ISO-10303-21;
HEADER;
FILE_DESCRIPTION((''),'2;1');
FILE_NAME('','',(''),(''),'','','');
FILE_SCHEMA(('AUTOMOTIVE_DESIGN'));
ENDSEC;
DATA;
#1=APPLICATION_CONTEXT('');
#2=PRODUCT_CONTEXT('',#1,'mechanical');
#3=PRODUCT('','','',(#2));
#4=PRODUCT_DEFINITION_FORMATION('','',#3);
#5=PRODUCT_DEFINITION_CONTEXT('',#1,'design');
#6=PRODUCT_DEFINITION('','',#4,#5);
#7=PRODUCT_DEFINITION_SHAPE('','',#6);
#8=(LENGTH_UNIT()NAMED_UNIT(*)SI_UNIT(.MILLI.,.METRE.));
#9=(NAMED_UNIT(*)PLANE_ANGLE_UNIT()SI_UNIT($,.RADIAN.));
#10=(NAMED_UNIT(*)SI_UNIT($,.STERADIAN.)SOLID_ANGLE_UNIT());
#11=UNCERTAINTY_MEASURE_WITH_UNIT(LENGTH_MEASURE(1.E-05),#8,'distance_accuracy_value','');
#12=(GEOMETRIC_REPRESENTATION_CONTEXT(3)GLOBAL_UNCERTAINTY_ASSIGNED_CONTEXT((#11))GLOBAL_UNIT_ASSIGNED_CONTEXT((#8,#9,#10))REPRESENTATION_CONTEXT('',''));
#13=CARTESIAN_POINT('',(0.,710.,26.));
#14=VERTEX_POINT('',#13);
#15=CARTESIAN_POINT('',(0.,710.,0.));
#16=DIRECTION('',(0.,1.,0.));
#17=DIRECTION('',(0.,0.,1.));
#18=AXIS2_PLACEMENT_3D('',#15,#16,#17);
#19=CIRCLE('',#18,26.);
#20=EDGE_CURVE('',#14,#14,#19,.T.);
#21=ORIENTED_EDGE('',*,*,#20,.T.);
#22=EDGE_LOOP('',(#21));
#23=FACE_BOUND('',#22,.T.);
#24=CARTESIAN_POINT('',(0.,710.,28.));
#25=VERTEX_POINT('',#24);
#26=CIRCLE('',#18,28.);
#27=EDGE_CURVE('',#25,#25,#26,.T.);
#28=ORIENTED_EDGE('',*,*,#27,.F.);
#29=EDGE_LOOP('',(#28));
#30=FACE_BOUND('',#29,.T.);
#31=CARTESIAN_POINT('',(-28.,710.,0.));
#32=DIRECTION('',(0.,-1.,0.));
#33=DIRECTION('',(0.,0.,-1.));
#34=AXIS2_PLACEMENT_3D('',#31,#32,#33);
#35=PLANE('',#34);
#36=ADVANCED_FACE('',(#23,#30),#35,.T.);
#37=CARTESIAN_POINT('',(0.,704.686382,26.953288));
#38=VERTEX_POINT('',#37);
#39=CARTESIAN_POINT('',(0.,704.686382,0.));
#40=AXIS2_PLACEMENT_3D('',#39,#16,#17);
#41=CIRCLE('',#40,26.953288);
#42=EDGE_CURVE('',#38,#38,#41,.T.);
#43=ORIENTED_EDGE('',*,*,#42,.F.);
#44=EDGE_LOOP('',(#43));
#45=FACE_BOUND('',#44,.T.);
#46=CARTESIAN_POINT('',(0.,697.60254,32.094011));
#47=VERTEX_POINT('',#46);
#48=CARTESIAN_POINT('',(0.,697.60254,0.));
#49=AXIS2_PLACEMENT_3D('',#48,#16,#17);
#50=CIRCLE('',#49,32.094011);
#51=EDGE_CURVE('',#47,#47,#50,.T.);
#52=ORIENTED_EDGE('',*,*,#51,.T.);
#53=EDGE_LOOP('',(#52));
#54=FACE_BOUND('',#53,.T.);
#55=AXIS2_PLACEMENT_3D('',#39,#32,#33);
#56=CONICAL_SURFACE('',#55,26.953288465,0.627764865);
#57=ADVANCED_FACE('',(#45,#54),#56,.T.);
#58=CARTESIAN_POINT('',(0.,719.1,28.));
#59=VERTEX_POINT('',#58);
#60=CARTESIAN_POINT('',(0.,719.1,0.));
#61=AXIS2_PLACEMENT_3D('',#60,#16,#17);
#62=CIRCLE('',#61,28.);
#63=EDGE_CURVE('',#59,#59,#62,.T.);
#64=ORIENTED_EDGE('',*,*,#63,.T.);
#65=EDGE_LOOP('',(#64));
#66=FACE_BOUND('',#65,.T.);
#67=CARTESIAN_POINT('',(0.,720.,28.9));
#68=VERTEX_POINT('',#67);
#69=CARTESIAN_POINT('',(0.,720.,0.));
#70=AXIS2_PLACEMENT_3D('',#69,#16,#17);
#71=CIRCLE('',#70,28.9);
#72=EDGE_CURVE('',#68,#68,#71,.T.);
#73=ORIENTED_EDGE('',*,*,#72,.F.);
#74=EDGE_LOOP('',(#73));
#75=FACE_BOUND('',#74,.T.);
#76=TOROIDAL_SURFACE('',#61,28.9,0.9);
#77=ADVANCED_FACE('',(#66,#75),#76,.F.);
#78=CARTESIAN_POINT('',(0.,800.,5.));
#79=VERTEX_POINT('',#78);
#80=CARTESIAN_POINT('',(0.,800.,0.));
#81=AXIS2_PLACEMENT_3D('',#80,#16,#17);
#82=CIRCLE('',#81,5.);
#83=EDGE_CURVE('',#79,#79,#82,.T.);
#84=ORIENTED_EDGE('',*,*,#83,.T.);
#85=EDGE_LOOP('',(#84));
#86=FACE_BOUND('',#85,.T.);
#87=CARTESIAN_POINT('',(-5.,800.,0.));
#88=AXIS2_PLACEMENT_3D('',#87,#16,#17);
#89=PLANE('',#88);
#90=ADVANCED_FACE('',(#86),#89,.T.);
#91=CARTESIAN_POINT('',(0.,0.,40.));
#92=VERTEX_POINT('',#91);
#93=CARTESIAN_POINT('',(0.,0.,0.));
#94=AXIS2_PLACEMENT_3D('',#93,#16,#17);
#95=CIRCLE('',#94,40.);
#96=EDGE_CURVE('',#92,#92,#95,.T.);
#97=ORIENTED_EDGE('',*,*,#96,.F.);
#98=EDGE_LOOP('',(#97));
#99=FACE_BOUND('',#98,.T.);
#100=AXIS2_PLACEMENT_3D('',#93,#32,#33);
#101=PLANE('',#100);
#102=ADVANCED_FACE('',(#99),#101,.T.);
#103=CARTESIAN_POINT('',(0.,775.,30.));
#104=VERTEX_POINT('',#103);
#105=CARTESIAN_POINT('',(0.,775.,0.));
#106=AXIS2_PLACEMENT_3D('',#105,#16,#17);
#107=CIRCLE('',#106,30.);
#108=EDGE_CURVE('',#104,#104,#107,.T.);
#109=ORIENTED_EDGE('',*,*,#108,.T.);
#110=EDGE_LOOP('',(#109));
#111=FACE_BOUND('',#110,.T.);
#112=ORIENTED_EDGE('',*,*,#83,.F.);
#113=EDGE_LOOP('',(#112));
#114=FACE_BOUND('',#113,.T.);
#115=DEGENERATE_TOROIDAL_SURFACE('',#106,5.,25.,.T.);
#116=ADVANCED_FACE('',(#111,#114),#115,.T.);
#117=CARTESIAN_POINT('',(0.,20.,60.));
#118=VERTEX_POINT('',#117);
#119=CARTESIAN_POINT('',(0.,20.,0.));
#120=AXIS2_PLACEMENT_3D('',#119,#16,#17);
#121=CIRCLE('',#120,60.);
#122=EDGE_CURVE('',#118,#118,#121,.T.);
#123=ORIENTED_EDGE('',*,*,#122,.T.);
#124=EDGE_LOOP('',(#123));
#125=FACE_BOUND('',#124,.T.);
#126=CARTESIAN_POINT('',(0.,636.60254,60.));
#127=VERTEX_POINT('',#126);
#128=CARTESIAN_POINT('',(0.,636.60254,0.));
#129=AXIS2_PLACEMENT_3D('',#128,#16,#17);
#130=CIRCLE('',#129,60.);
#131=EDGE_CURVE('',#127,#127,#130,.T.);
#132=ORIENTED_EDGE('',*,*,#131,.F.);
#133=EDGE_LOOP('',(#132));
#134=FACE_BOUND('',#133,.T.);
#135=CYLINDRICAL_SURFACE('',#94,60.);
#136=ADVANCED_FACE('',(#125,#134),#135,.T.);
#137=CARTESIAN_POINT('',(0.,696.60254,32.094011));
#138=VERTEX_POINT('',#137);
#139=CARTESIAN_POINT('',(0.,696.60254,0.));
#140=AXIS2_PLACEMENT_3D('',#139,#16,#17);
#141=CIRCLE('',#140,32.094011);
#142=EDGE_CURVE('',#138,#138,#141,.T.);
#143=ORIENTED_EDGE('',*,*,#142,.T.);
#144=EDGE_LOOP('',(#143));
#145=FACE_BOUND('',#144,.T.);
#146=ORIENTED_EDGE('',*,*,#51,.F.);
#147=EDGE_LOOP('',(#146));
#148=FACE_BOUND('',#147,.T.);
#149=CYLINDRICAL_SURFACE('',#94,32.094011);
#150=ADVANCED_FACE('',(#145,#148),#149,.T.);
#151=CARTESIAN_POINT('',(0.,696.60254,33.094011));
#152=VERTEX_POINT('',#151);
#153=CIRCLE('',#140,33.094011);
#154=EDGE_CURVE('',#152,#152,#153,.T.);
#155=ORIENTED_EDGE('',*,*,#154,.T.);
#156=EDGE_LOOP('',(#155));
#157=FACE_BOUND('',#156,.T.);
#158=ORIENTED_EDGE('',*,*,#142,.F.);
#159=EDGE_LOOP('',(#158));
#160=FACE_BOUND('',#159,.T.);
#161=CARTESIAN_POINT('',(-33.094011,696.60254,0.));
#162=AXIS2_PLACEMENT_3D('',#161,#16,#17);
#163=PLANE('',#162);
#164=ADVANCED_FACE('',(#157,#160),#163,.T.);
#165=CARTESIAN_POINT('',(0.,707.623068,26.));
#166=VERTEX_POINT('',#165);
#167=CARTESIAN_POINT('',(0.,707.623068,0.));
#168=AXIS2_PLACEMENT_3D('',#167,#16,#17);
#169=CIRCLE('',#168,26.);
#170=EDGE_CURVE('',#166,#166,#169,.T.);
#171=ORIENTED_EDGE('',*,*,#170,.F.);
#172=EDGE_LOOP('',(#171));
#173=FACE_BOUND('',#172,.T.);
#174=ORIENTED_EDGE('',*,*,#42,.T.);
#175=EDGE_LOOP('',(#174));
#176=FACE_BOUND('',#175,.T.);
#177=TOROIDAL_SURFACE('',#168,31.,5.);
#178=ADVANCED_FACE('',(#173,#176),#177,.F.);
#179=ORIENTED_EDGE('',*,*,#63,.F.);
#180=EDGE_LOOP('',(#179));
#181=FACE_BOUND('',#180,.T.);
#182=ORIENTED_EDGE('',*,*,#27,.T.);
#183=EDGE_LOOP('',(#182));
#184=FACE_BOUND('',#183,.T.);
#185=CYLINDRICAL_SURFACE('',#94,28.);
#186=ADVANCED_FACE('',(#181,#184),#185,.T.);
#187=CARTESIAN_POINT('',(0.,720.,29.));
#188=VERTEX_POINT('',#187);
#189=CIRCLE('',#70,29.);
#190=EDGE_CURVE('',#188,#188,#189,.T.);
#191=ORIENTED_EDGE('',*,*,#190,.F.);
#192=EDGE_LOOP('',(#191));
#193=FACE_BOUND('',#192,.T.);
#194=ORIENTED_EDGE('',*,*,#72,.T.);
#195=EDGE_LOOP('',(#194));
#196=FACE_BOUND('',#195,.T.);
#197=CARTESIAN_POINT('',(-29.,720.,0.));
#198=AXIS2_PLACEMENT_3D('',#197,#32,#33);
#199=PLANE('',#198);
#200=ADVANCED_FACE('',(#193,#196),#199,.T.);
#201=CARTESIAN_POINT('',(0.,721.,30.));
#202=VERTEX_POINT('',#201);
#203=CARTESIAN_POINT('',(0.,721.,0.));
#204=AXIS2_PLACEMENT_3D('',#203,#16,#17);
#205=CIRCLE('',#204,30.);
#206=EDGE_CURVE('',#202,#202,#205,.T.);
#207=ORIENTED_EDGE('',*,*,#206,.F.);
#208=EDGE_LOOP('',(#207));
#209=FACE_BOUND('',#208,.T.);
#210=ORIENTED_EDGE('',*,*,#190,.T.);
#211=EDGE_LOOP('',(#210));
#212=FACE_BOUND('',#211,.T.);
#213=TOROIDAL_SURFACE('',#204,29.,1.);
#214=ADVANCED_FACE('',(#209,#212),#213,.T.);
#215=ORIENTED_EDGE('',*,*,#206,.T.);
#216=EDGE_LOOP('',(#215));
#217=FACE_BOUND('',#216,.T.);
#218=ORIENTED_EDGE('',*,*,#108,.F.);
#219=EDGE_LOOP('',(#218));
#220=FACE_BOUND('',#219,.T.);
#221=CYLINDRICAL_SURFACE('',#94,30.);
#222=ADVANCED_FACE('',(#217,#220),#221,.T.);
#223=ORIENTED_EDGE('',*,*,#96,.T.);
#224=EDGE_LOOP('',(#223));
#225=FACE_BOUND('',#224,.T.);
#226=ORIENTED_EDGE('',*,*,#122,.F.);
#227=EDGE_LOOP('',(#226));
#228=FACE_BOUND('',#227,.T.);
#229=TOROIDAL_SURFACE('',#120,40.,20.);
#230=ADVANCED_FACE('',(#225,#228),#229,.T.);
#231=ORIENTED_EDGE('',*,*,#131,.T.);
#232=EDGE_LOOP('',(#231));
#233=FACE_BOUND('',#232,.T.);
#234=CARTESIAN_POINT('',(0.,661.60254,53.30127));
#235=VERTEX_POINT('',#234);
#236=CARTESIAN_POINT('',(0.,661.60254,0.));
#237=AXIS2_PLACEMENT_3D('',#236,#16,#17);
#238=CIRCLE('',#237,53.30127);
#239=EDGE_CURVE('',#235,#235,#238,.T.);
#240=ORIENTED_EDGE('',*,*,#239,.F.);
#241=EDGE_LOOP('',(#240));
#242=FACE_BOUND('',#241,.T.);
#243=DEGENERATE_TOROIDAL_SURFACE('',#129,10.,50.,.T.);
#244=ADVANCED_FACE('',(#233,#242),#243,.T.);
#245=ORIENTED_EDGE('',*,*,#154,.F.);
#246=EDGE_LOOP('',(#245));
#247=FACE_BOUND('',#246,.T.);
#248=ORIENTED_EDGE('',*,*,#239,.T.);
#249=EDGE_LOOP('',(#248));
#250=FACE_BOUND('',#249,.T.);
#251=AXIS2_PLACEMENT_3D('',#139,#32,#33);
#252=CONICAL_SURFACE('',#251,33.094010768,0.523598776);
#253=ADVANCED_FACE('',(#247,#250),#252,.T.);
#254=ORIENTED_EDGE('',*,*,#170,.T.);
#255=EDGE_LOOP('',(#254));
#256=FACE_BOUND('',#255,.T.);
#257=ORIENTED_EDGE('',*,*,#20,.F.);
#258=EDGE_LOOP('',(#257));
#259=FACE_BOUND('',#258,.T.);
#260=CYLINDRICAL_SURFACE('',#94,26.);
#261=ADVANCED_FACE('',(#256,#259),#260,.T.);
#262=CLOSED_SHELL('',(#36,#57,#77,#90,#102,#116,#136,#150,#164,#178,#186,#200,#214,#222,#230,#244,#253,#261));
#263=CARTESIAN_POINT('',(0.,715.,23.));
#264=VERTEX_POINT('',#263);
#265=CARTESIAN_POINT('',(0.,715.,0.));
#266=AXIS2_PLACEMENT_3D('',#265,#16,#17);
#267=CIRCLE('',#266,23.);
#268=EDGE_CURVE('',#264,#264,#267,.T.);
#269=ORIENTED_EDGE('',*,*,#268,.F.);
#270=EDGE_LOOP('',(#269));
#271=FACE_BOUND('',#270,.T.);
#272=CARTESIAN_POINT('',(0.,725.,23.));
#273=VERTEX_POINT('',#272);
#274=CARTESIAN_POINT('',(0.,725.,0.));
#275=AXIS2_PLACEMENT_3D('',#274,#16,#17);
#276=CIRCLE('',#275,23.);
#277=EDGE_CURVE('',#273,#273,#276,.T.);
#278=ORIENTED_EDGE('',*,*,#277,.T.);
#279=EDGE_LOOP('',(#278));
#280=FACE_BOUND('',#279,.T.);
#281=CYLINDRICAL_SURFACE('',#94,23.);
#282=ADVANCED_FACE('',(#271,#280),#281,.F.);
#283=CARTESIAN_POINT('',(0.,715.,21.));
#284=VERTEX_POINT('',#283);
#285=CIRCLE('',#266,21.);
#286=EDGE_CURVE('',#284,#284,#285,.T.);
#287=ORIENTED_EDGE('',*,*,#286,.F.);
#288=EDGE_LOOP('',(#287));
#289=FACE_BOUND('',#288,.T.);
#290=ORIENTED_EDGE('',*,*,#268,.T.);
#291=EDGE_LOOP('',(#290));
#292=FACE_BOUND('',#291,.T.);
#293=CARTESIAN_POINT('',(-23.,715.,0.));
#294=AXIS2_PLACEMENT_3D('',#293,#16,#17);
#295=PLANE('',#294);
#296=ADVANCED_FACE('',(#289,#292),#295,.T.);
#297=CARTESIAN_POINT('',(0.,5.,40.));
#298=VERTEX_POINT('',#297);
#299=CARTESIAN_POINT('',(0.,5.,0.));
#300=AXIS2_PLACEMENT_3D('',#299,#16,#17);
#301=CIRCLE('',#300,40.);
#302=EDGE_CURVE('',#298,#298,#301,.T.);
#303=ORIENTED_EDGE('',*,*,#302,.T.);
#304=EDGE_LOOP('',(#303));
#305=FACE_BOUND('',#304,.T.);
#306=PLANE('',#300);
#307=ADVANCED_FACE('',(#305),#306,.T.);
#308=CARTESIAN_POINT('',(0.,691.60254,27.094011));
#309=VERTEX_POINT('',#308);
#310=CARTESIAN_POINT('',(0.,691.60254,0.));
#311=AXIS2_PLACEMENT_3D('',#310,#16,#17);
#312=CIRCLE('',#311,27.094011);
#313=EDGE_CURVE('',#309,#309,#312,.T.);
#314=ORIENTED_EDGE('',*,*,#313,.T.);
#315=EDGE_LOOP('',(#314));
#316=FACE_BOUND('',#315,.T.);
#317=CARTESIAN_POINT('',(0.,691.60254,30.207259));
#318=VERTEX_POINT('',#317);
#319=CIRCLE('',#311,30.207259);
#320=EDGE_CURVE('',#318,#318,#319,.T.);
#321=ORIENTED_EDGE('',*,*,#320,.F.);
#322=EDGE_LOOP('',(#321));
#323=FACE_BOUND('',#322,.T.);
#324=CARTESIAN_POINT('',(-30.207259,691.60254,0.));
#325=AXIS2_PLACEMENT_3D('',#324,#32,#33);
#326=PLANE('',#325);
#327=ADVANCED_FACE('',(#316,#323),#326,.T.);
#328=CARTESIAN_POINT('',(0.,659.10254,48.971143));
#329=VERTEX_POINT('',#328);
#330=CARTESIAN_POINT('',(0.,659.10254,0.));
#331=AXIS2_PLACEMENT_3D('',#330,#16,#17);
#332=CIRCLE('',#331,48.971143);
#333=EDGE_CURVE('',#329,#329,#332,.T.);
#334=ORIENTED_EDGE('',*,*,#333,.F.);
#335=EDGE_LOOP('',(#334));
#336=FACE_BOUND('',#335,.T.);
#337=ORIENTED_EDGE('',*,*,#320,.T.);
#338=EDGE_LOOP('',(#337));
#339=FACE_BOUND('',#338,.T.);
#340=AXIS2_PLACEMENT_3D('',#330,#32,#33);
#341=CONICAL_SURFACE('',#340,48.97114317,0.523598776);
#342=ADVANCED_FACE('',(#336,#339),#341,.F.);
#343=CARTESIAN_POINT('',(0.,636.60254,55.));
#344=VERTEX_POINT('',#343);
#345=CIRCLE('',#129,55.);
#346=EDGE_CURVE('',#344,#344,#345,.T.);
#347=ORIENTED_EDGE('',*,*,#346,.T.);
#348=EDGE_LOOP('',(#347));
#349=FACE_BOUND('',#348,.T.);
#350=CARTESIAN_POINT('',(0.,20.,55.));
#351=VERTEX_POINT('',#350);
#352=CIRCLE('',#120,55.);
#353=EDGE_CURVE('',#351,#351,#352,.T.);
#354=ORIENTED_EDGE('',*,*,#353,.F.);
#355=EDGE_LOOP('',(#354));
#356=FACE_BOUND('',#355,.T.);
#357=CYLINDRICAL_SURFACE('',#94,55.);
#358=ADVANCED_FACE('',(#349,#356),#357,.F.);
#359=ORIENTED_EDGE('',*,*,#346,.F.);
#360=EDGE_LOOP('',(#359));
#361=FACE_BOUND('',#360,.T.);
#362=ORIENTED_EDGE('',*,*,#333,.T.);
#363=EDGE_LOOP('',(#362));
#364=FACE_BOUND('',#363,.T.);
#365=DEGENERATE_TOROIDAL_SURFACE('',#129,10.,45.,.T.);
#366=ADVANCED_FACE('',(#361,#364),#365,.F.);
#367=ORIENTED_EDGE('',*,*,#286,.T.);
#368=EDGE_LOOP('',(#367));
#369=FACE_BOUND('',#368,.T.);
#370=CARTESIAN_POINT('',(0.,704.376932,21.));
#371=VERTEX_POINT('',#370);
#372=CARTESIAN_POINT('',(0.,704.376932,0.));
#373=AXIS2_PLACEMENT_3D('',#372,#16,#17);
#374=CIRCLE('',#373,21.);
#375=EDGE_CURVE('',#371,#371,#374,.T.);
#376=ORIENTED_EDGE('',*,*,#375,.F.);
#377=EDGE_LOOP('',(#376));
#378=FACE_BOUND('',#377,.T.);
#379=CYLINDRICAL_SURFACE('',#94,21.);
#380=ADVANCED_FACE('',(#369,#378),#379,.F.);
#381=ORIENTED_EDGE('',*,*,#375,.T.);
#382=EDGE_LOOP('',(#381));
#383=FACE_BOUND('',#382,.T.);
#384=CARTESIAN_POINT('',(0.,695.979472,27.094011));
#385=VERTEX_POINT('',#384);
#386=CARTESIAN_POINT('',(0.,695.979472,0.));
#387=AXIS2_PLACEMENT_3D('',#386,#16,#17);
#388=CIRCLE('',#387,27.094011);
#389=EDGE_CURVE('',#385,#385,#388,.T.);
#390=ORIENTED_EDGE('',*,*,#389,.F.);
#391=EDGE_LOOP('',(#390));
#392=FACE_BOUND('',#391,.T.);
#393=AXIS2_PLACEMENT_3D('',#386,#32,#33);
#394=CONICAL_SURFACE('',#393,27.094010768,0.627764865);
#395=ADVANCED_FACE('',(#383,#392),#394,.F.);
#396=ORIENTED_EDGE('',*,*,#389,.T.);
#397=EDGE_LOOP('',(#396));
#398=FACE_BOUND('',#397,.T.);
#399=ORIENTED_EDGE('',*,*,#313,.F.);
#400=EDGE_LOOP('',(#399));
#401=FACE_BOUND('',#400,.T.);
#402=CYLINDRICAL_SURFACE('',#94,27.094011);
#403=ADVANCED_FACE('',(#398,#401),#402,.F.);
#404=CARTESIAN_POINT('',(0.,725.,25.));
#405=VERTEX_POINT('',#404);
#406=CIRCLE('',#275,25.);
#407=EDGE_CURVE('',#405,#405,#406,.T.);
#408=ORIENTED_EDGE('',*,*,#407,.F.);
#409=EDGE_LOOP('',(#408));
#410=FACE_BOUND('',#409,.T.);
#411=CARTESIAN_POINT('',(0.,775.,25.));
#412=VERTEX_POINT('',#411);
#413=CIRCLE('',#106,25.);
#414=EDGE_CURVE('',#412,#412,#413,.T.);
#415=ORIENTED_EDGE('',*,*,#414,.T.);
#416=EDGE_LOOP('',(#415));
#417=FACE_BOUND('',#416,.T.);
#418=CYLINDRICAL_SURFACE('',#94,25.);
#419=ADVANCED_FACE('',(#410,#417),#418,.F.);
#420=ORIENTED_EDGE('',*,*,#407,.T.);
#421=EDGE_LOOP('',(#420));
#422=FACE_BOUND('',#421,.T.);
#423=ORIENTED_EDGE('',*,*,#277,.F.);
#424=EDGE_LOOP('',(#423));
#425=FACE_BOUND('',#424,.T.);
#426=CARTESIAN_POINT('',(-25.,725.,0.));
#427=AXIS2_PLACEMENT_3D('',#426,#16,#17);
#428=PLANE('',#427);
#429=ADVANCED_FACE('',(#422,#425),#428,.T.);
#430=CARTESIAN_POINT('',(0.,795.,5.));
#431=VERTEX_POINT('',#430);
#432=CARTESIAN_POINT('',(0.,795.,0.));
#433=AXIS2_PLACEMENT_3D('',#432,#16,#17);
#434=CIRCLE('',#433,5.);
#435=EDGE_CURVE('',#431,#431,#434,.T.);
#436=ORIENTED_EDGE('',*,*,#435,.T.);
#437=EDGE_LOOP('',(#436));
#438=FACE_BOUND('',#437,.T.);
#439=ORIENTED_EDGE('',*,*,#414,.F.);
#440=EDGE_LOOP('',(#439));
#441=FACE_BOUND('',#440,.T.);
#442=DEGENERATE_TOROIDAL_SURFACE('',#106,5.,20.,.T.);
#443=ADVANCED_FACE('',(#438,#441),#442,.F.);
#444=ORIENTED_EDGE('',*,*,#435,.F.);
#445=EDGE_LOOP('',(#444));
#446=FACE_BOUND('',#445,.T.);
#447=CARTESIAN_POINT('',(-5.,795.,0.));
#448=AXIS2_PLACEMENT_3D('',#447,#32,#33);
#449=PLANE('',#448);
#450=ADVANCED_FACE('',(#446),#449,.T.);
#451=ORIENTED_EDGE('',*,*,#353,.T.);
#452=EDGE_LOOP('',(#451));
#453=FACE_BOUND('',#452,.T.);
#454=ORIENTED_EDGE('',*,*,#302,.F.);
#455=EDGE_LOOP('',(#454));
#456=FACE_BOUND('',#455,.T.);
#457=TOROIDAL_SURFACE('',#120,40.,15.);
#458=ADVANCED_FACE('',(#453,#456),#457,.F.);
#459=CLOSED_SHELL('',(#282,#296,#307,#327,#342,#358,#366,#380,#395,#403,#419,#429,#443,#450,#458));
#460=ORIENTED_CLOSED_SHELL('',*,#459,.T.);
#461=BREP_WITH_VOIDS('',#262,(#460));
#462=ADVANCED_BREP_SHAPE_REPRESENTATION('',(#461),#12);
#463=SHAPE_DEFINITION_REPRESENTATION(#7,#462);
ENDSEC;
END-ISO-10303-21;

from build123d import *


with BuildPart() as part:
    # 草图1 → 旋转1 (revolve)
    with BuildSketch(Plane.XY, mode=Mode.PRIVATE) as revolve_1_sk:
        with BuildLine():
            Line((0, 0), (-40, 0))
            ThreePointArc((-40, 0), (-54.142135624, 5.857864376), (-60, 20))
            Line((-60, 20), (-60, 636.602540378))
            ThreePointArc((-60, 636.602540378), (-58.296291314, 649.543492634), (-53.301270189, 661.602540378))
            Line((-53.301270189, 661.602540378), (-33.094010768, 696.602540378))
            Line((-33.094010768, 696.602540378), (-32.094010768, 696.602540378))
            Line((-32.094010768, 696.602540378), (-32.094010768, 697.602540378))
            Line((-32.094010768, 697.602540378), (-26.953288465, 704.686382138))
            ThreePointArc((-26.953288465, 704.686382138), (-26.24428987, 706.07929983), (-26, 707.623068324))
            Line((-26, 707.623068324), (-26, 710))
            Line((-26, 710), (-28, 710))
            Line((-28, 710), (-28, 719.1))
            ThreePointArc((-28, 719.1), (-28.263603897, 719.736396103), (-28.9, 720))
            Line((-28.9, 720), (-29, 720))
            ThreePointArc((-29, 720), (-29.707106781, 720.292893219), (-30, 721))
            Line((-30, 721), (-30, 775))
            ThreePointArc((-30, 775), (-22.67766953, 792.67766953), (-5, 800))
            Line((-5, 800), (0, 800))
            Line((0, 800), (0, 795))
            Line((0, 795), (-5, 795))
            ThreePointArc((-5, 795), (-19.142135624, 789.142135624), (-25, 775))
            Line((-25, 775), (-25, 725))
            Line((-25, 725), (-23, 725))
            Line((-23, 725), (-23, 715))
            Line((-23, 715), (-21, 715))
            Line((-21, 715), (-21, 704.376931676))
            Line((-21, 704.376931676), (-27.094010768, 695.979472054))
            Line((-27.094010768, 695.979472054), (-27.094010768, 691.602540378))
            Line((-27.094010768, 691.602540378), (-30.207259422, 691.602540378))
            Line((-30.207259422, 691.602540378), (-48.97114317, 659.102540378))
            ThreePointArc((-48.97114317, 659.102540378), (-53.466662183, 648.249397408), (-55, 636.602540378))
            Line((-55, 636.602540378), (-55, 20))
            ThreePointArc((-55, 20), (-50.606601718, 9.393398282), (-40, 5))
            Line((-40, 5), (0, 5))
            Line((0, 5), (0, 0))
        make_face()
    revolve(revolve_1_sk.sketch.rotate(Axis((0, 0, 0), (0, -1, 0)), 270), axis=Axis((0, 0, 0), (0, -1, 0)))


solid = part.part
